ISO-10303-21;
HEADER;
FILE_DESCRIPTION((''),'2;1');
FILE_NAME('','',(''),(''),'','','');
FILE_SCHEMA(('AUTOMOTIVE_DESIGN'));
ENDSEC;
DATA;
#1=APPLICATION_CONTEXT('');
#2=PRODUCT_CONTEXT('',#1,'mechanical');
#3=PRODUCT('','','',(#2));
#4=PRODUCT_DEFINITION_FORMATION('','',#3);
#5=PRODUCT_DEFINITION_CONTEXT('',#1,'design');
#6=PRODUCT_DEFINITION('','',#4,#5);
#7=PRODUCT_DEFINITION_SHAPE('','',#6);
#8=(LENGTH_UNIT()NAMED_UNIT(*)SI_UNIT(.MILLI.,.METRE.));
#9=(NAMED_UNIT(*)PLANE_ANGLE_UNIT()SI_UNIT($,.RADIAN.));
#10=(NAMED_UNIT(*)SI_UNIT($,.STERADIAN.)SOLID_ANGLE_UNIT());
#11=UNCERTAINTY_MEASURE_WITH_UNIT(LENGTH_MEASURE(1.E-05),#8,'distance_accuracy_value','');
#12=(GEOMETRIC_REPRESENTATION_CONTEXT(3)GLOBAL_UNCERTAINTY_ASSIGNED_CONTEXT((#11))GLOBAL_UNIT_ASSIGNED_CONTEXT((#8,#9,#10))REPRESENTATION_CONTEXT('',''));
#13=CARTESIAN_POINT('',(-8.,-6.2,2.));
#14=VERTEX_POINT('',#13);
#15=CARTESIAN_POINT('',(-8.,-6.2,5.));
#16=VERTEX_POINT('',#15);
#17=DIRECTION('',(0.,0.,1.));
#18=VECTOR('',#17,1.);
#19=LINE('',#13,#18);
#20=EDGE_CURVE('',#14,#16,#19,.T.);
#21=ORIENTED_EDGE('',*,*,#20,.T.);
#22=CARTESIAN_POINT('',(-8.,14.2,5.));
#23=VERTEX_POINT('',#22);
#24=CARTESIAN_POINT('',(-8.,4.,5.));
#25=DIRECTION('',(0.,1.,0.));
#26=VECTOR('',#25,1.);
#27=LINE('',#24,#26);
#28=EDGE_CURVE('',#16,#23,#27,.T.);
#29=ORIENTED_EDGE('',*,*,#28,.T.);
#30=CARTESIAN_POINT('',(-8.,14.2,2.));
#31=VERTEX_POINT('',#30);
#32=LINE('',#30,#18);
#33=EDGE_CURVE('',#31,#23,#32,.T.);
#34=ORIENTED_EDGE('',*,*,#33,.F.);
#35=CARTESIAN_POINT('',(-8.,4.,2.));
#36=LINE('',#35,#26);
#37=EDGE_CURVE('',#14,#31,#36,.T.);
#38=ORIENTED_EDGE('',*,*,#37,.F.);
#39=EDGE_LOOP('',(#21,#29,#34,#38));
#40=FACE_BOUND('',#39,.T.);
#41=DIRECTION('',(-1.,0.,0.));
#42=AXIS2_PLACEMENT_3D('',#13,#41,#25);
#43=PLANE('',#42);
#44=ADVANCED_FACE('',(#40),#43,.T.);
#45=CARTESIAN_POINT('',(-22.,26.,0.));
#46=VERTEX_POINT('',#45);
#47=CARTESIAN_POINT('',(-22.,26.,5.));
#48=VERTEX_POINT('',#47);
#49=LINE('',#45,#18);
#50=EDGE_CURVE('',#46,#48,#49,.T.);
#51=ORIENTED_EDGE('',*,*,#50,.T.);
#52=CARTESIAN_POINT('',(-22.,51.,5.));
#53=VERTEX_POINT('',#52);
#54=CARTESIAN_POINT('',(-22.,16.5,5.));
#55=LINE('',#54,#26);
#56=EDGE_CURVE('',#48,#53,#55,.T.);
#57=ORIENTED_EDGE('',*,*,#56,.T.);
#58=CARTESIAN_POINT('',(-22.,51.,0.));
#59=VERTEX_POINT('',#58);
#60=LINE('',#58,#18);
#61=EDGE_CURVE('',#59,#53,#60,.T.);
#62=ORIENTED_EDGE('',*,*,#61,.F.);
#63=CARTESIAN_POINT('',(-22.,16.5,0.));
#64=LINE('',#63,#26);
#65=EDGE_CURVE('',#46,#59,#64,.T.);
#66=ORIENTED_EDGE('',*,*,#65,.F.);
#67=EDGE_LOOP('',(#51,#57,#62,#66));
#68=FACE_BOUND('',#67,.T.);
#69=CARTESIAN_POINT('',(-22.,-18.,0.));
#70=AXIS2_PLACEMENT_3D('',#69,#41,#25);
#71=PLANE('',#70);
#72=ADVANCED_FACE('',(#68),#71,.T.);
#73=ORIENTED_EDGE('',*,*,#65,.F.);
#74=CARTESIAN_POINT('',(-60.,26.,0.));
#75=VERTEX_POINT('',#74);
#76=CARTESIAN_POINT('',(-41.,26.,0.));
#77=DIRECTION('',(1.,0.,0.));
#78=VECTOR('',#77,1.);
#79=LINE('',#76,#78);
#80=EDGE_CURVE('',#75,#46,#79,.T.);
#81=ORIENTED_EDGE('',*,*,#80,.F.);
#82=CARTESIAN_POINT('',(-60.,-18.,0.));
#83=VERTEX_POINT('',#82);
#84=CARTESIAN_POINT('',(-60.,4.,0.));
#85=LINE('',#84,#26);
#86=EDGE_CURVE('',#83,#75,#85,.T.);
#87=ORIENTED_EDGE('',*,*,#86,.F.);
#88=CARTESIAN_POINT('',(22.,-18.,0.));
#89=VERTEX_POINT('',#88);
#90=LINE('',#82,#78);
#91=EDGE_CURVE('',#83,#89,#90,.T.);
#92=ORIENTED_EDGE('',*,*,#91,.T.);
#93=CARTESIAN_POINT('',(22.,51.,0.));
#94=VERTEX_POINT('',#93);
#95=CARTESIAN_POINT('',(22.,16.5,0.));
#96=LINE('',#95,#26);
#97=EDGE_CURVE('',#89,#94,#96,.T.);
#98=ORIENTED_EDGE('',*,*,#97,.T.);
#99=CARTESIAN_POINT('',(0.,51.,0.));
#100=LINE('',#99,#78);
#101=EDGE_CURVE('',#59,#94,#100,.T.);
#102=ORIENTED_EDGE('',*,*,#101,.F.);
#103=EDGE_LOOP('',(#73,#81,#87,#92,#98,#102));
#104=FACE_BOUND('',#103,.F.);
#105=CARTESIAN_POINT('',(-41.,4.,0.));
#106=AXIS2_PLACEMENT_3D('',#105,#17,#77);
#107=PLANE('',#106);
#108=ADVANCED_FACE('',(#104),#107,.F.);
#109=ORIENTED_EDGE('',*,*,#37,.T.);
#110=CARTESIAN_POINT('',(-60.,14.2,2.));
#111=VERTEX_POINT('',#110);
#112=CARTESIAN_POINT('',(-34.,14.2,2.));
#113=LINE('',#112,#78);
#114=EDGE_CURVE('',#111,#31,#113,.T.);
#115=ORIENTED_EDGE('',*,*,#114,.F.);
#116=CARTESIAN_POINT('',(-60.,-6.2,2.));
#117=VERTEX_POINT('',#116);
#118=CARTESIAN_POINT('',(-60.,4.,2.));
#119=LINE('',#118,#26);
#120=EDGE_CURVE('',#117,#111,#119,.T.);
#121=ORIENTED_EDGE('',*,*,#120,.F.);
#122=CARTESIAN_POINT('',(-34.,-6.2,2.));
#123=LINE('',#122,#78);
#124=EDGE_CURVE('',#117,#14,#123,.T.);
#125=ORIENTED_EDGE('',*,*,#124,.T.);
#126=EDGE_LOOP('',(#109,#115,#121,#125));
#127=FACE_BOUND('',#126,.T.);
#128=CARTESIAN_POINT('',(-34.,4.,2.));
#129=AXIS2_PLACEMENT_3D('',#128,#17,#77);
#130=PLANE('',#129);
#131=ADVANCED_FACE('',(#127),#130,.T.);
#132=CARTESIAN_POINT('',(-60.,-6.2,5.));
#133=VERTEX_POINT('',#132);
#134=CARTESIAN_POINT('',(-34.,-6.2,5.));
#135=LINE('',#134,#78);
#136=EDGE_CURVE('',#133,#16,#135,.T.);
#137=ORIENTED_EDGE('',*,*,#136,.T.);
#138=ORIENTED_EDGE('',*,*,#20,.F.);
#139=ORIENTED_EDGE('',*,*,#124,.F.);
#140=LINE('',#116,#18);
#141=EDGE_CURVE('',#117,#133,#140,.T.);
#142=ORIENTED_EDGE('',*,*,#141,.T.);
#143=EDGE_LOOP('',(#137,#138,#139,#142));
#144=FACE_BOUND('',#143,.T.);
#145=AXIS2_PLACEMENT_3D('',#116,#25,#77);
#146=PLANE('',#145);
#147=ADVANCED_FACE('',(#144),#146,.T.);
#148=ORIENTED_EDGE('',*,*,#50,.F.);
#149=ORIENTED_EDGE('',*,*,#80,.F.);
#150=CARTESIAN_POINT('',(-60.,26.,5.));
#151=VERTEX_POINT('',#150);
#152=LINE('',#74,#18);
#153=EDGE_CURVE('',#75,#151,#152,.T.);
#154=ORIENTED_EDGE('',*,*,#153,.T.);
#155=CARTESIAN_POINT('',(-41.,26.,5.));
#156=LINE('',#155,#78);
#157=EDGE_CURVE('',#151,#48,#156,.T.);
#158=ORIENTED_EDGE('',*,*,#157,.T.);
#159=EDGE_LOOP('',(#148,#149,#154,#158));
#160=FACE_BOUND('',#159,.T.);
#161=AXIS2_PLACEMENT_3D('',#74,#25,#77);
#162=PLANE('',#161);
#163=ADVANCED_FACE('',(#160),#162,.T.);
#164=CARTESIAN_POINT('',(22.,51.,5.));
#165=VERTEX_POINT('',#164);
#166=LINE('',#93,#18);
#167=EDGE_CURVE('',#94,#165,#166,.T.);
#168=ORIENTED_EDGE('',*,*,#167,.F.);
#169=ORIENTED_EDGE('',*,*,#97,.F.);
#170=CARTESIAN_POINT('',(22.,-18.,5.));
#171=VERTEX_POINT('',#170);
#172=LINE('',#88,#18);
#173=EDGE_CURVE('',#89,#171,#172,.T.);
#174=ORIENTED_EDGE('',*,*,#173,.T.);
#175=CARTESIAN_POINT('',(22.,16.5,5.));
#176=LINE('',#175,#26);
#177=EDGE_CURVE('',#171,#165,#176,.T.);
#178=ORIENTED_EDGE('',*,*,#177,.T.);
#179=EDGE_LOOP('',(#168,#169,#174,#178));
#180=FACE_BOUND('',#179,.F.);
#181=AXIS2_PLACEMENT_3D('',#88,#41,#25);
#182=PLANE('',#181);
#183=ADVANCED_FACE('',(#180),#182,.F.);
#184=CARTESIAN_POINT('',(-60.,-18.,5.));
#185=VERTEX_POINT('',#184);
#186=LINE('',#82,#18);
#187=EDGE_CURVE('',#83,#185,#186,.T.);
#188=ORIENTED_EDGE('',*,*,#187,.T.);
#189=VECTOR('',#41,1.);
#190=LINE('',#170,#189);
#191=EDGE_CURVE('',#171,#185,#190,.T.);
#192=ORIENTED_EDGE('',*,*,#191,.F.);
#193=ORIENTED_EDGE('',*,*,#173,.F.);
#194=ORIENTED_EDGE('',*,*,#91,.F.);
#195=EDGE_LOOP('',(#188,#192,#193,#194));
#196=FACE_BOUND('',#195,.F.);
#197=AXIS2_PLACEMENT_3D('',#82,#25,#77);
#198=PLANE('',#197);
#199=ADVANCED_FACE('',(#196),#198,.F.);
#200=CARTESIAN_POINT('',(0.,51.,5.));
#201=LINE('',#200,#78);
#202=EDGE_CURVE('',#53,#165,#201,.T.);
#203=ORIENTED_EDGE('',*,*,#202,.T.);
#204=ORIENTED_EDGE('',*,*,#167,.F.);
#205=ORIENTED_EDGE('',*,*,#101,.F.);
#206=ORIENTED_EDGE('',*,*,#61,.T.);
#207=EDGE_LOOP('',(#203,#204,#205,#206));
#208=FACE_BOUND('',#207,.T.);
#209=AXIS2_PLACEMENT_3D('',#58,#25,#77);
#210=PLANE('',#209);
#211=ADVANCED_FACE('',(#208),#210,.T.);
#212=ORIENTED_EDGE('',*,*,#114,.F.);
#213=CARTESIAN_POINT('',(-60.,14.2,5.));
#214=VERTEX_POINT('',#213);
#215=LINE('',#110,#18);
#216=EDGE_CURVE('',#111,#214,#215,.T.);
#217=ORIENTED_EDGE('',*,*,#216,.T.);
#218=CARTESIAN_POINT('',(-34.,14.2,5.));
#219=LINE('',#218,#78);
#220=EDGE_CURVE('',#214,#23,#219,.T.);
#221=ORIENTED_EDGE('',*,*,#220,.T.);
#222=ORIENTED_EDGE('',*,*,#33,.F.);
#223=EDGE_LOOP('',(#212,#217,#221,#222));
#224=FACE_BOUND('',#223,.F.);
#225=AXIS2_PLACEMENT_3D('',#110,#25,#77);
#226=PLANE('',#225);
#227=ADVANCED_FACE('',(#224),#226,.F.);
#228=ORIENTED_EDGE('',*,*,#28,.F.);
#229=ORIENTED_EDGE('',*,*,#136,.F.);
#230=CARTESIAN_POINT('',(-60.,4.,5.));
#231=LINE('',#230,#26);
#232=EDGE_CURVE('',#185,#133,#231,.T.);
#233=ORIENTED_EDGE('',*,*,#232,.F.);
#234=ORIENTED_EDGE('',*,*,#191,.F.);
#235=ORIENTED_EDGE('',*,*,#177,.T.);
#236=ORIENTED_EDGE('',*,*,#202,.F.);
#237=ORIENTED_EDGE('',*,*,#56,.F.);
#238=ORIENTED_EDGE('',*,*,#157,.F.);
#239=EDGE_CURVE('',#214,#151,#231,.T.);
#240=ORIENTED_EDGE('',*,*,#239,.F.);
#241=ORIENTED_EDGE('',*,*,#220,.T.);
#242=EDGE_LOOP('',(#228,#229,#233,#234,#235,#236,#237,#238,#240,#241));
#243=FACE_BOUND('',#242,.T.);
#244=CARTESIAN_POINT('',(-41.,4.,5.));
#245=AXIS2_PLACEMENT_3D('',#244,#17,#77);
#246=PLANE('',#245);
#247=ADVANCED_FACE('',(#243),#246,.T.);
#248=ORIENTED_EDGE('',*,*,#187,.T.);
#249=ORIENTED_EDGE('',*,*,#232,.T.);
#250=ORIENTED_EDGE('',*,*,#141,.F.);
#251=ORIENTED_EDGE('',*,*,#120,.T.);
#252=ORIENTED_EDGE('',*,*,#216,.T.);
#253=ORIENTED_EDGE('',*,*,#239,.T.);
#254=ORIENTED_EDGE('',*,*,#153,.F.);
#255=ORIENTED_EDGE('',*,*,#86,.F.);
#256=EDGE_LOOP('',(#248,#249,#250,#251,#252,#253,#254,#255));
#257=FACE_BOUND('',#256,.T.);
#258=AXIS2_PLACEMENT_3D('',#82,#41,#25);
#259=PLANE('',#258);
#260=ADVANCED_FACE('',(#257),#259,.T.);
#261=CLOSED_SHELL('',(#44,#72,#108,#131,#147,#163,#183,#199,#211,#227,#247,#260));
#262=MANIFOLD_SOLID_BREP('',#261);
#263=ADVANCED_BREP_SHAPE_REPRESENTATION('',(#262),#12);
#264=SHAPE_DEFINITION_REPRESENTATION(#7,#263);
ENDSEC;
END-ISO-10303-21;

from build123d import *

# Parameters (mm, degrees)
BOX005_W     = 52
BOX005_H     = 20.4
BOX005_DEPTH = 3
BOX004_W     = 38
BOX004_H     = 44
BOX004_DEPTH = 5
BOX001_W     = 44
BOX001_H     = 69
BOX001_DEPTH = 5


with BuildPart() as cube005:
    # Box005 → Box005 (new body)
    with BuildSketch(Plane(origin=(-60, -6.2, 2), x_dir=(1, 0, 0), z_dir=(0, 0, 1))):
        with Locations((26, 10.2)):
            Rectangle(BOX005_W, BOX005_H)
    extrude(amount=BOX005_DEPTH)


with BuildPart() as cube004:
    # Box004 → Box004 (new body)
    with BuildSketch(Plane(origin=(-60, -18, 0), x_dir=(1, 0, 0), z_dir=(0, 0, 1))):
        with Locations((19, 22)):
            Rectangle(BOX004_W, BOX004_H)
    extrude(amount=BOX004_DEPTH)


with BuildPart() as cut005:
    # Box001 → Box001 (new body)
    with BuildSketch(Plane(origin=(-22, -18, 0), x_dir=(1, 0, 0), z_dir=(0, 0, 1))):
        with Locations((22, 34.5)):
            Rectangle(BOX001_W, BOX001_H)
    extrude(amount=BOX001_DEPTH)

    # Fusion009: union Cube004
    add(cube004.part)

    # Cut005: cut Cube005
    add(cube005.part, mode=Mode.SUBTRACT)


solid = cut005.part
